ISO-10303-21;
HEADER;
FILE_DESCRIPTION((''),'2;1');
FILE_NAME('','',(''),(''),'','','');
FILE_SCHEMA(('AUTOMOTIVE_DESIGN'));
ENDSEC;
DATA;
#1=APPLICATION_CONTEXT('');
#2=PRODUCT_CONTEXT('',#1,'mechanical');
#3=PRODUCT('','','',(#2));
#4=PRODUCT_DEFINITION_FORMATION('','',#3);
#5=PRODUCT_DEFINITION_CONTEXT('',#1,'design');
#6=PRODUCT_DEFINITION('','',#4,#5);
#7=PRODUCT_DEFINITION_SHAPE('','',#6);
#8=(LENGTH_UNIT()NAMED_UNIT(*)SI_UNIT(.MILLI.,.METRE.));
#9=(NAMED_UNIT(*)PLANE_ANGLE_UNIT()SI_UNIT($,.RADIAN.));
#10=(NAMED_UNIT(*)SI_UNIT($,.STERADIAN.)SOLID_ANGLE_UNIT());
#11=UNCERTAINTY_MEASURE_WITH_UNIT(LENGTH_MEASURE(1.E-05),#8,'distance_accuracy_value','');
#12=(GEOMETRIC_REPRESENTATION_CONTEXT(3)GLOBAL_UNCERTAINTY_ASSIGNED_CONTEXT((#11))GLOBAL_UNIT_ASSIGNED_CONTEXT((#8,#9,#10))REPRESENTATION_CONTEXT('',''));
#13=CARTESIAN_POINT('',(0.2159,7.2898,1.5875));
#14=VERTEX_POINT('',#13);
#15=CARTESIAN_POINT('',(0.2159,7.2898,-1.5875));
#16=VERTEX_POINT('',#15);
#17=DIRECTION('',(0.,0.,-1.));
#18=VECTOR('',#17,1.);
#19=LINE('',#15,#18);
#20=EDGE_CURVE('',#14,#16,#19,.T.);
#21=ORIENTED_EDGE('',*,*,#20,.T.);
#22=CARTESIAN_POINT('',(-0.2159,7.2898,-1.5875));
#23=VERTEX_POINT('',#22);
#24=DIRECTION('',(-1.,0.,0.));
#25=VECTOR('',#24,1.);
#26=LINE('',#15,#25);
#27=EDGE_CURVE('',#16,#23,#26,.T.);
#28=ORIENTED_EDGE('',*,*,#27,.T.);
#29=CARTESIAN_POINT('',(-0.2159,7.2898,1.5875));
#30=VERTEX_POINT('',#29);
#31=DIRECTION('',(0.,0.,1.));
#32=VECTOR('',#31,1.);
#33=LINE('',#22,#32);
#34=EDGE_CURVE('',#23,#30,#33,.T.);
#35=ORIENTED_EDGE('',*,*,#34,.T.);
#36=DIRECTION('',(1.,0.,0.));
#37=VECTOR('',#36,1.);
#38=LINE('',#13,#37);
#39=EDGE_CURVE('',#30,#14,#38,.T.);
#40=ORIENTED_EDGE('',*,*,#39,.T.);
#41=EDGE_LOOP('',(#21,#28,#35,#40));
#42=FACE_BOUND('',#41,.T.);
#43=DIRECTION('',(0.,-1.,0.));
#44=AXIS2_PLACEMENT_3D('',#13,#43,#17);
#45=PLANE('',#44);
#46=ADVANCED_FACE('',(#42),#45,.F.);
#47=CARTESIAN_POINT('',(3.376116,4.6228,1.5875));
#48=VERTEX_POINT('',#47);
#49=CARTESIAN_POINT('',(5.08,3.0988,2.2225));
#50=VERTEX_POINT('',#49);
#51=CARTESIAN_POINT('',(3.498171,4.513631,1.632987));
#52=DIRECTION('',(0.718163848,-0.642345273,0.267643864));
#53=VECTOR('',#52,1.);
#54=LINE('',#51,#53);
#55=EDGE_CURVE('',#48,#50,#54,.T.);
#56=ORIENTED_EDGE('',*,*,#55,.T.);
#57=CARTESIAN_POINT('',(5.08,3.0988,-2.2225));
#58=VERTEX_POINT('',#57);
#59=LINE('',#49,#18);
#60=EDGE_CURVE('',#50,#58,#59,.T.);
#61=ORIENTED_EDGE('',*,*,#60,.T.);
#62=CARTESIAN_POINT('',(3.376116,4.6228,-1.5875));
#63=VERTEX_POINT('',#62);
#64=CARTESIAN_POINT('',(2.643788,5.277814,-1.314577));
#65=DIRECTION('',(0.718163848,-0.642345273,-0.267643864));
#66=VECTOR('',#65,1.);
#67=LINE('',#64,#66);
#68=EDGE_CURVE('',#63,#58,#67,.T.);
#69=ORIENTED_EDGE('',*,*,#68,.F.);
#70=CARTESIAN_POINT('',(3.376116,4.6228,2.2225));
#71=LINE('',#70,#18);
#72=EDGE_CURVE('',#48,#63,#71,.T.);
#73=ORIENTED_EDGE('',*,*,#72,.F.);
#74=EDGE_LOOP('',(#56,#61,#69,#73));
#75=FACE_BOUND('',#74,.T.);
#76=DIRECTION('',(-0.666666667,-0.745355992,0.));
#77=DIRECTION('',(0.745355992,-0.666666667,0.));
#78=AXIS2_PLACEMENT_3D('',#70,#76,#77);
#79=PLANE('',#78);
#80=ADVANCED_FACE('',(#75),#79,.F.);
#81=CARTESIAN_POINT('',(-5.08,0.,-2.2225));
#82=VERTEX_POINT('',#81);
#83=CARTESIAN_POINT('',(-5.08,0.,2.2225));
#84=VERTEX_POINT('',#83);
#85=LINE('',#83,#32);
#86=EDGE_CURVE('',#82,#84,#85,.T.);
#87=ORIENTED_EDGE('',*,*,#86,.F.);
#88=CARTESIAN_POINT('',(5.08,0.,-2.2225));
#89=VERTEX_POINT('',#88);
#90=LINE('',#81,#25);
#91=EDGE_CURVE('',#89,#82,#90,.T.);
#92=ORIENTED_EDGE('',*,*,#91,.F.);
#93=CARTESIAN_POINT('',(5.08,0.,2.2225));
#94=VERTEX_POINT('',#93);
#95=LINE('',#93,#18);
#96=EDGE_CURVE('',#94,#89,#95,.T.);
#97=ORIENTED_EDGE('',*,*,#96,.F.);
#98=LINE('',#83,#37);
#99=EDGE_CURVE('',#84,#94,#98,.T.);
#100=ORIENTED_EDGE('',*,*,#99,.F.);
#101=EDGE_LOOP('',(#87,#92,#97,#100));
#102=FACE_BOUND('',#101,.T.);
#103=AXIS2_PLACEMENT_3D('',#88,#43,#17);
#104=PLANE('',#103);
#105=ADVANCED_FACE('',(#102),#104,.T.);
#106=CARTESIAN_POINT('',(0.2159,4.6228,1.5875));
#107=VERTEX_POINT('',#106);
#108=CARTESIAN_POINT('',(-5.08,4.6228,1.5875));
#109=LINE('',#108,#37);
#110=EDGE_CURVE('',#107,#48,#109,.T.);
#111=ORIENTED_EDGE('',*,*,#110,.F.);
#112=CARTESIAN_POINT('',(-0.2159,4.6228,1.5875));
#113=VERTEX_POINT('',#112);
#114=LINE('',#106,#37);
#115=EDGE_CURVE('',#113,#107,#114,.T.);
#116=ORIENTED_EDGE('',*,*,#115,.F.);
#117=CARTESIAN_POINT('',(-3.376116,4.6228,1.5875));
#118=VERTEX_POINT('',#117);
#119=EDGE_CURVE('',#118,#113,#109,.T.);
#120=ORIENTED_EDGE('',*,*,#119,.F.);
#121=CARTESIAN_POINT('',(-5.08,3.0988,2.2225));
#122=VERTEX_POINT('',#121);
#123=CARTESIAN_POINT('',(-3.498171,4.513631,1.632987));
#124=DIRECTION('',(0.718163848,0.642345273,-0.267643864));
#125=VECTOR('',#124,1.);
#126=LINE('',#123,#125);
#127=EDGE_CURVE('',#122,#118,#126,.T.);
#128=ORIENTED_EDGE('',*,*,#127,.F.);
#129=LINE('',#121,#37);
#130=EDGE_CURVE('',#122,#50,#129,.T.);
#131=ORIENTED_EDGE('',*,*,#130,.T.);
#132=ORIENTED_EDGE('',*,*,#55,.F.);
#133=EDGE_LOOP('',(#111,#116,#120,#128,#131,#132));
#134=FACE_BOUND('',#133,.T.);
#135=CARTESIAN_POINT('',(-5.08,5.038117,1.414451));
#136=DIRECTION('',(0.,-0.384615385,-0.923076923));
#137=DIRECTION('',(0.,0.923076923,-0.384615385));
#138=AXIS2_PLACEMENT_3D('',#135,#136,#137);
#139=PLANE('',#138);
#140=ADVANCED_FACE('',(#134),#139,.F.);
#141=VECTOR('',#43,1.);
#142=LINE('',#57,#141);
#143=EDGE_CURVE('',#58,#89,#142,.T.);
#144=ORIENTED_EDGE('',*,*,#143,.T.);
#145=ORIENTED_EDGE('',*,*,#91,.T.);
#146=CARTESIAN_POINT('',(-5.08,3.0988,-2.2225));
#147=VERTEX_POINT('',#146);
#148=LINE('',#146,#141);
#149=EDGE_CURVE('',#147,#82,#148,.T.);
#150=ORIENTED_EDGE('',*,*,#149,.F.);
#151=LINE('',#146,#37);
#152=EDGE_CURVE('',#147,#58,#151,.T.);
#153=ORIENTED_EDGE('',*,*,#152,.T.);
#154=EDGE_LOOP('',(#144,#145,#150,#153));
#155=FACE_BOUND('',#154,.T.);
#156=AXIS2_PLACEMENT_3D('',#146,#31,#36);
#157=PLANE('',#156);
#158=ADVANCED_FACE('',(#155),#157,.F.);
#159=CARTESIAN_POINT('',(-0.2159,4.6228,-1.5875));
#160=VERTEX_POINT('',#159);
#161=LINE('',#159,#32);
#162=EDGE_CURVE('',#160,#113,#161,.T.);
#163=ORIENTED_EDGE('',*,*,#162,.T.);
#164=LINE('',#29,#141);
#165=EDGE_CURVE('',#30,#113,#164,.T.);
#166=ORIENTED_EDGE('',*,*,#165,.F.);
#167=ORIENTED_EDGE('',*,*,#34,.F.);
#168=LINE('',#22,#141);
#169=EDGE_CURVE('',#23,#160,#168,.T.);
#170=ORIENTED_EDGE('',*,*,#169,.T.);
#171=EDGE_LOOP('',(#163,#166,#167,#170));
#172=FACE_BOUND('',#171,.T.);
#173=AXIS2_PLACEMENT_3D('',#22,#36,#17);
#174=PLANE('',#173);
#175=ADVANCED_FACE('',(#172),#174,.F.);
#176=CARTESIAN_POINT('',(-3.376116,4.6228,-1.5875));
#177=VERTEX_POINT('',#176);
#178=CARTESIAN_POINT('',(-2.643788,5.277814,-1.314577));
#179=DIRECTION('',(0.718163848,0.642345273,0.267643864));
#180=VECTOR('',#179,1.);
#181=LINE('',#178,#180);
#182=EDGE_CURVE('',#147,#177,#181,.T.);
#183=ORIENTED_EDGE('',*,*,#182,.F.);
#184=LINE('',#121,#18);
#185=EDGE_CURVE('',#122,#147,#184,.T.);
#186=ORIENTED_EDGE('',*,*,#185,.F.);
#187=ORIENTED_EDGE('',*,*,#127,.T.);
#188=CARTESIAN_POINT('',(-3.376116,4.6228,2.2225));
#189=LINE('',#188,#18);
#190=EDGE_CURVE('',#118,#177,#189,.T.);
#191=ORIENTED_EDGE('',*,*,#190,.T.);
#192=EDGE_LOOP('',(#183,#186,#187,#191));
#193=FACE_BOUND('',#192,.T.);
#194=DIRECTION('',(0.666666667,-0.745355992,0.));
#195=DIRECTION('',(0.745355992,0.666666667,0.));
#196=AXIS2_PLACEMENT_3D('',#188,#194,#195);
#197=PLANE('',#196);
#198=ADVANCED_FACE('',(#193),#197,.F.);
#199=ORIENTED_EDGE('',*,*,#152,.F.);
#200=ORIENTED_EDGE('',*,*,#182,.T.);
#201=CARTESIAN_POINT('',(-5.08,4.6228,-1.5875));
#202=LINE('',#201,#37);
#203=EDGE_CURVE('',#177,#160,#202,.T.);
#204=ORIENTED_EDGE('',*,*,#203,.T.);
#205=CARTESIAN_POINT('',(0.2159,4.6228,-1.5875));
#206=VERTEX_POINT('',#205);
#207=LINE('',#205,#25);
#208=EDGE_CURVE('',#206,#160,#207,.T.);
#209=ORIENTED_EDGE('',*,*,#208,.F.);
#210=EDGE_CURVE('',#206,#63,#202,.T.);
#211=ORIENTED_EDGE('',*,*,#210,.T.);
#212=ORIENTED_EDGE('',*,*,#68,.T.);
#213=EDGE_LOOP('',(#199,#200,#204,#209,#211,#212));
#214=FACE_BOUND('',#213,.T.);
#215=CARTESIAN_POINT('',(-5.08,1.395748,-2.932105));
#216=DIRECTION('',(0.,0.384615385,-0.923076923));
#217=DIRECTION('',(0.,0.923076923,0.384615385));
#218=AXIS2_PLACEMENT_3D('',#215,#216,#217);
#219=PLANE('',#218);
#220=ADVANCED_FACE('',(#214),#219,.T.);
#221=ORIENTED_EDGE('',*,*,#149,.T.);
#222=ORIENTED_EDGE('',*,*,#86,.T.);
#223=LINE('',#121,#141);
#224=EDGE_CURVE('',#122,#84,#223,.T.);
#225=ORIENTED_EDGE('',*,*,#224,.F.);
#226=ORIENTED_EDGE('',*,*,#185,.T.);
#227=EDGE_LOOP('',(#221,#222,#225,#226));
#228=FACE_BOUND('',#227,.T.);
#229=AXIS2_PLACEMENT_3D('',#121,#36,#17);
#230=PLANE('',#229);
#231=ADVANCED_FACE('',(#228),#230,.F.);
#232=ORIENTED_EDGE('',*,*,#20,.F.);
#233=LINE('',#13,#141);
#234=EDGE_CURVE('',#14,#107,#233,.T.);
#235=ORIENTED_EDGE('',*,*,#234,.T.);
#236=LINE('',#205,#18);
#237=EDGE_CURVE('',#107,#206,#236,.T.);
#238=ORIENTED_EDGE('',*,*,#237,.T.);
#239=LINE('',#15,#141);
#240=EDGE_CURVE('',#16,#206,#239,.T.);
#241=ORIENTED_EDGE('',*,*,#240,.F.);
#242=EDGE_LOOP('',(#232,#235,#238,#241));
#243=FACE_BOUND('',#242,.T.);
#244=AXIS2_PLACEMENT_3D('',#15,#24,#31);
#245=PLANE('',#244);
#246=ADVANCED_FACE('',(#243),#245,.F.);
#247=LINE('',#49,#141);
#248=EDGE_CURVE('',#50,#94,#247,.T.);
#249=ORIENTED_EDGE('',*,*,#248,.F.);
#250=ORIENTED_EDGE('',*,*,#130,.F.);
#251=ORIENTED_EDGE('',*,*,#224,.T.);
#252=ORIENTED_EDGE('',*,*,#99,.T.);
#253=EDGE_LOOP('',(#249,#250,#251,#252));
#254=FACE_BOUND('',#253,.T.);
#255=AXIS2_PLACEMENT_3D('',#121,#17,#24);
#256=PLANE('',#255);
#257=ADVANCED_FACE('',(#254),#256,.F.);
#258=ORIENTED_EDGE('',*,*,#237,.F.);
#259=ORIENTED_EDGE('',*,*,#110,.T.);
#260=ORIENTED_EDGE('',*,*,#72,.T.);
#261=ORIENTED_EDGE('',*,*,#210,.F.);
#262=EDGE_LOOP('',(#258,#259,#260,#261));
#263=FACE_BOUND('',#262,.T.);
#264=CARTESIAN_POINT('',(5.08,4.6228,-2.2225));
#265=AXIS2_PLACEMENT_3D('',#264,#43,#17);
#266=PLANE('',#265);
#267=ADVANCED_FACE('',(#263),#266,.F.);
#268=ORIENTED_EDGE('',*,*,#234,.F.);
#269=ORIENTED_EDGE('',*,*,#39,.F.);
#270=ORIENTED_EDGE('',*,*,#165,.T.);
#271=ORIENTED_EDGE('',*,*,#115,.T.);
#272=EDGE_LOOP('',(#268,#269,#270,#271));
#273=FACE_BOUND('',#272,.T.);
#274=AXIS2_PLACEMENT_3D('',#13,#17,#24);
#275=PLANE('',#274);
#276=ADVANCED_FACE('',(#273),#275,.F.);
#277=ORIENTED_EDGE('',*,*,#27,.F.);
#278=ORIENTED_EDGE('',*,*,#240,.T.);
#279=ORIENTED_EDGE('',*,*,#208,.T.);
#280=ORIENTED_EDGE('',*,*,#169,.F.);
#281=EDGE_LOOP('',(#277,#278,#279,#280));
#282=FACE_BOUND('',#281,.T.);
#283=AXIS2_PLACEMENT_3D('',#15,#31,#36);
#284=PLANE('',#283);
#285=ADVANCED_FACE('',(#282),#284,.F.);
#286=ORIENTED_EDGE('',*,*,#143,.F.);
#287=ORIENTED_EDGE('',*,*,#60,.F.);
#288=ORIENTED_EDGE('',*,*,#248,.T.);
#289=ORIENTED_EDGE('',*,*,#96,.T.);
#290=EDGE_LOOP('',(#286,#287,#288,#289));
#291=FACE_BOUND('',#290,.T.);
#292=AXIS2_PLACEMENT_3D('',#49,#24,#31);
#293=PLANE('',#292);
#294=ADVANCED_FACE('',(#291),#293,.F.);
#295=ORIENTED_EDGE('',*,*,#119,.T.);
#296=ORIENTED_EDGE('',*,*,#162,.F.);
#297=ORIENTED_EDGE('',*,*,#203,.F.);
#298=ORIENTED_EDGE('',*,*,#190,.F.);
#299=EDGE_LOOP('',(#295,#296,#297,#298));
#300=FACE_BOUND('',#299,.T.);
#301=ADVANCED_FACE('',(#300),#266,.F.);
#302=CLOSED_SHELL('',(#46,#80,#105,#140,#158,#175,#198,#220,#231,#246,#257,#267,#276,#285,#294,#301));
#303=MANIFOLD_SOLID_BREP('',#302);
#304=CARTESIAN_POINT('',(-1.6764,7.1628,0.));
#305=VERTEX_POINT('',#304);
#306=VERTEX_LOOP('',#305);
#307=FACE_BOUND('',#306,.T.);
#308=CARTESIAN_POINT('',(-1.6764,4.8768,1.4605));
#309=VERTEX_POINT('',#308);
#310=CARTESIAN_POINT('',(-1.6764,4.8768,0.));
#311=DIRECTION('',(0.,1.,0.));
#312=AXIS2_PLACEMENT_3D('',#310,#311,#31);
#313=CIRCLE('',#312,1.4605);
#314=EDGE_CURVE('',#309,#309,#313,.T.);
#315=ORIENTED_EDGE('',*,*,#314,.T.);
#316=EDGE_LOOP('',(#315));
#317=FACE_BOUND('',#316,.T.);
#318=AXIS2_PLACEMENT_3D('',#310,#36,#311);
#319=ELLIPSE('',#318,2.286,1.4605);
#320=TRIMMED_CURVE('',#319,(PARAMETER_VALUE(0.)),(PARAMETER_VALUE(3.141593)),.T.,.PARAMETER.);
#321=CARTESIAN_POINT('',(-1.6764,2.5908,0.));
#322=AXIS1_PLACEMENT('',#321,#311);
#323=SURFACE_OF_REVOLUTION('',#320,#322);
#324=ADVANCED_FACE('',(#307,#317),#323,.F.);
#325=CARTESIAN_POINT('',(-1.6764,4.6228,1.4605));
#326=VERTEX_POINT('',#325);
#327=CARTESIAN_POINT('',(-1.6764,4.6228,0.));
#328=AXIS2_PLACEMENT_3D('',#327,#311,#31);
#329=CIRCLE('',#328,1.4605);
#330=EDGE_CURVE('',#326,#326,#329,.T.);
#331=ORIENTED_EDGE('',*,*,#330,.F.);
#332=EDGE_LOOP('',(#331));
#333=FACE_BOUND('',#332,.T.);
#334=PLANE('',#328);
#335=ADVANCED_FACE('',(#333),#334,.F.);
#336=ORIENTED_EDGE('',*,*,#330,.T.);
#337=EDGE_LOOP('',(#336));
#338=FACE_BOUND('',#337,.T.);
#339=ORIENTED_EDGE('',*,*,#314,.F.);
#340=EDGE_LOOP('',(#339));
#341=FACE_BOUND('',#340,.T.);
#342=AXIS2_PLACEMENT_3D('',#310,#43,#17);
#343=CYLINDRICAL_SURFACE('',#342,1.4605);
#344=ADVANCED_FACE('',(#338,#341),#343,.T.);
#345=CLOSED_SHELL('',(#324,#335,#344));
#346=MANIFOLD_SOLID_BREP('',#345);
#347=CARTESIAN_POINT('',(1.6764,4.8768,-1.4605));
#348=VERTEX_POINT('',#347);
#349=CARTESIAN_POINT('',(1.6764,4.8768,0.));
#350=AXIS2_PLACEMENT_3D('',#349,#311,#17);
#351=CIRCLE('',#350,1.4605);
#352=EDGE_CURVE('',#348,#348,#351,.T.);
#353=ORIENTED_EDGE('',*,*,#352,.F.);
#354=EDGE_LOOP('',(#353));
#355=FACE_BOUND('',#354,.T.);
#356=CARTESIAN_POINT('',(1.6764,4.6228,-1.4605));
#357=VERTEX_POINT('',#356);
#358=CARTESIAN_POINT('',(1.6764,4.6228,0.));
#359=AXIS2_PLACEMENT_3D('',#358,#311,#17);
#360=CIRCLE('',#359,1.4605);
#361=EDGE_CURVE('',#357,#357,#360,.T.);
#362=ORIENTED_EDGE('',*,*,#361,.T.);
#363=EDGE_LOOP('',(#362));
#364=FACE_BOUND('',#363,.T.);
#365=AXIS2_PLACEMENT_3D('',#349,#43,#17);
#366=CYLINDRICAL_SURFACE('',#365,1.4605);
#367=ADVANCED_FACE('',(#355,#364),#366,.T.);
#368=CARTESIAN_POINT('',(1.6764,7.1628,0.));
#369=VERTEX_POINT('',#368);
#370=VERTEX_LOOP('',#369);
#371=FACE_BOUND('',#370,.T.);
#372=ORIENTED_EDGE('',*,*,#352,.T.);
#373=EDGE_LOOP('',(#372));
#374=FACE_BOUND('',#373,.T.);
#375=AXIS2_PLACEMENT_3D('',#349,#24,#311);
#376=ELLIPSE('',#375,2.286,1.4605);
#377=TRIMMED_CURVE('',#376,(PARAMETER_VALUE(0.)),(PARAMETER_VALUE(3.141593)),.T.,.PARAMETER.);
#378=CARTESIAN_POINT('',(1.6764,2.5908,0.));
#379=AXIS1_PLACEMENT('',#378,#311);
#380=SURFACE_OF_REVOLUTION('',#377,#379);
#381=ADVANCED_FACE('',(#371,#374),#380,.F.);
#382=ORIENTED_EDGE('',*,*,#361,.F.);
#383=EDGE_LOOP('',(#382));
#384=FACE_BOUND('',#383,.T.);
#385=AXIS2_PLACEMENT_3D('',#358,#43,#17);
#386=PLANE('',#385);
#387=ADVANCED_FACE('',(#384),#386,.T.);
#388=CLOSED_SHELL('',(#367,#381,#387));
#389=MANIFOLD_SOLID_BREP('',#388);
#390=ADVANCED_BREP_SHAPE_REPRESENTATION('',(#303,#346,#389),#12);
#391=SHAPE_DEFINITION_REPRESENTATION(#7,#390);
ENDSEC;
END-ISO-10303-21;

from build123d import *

# Parameters (mm, degrees)
SKETCH1_W             = 10.16
SKETCH1_H             = 4.445
BOSS_EXTRUDE1_DEPTH   = 3.0988
SKETCH3_W             = 10.16
SKETCH3_H             = 4.445
BOSS_EXTRUDE3_DEPTH   = 1.524
CUT_EXTRUDE1_DEPTH    = 9.181363263
CUT_EXTRUDE3_DEPTH    = 12.381361346
SKETCH9_W             = 0.4318
SKETCH9_H             = 3.175
BOSS_EXTRUDE4_DEPTH   = 2.667
SKETCH10_R            = 1.4605
BOSS_EXTRUDE6_DEPTH   = 0.254
BOSS_EXTRUDE6_2_DEPTH = 0.254
DOME2_FACE_RADIUS     = 1.4605
DOME2_HEIGHT          = 2.286
DOME3_FACE_RADIUS     = 1.4605
DOME3_HEIGHT          = 2.286


with BuildPart() as part:
    # Sketch1 → Boss-Extrude1 (new body)
    with BuildSketch(Plane(origin=(0, 0, 0), x_dir=(1, 0, 0), z_dir=(0, 1, 0))):
        Rectangle(SKETCH1_W, SKETCH1_H)
    extrude(amount=BOSS_EXTRUDE1_DEPTH)

    # Sketch3 → Boss-Extrude3 (add)
    with BuildSketch(Plane(origin=(0, 3.0988, 0), x_dir=(-1, 0, 0), z_dir=(0, 1, 0))):
        Rectangle(SKETCH3_W, SKETCH3_H)
    extrude(amount=BOSS_EXTRUDE3_DEPTH)

    # Sketch4 → Cut-Extrude1 (cut, through all)
    with BuildSketch(Plane(origin=(0, 0, -2.2225), x_dir=(-1, 0, 0), z_dir=(0, 0, -1))):
        Polygon((-3.376116201, 4.6228), (-5.08, 3.0988), (-5.08, 4.6228), align=None)
        Polygon((5.08, 4.6228), (3.376116201, 4.6228), (5.08, 3.0988), align=None)
    extrude(amount=-CUT_EXTRUDE1_DEPTH, mode=Mode.SUBTRACT)

    # Sketch8 → Cut-Extrude3 (cut, through all)
    with BuildSketch(Plane(origin=(5.08, 0, 0), x_dir=(0, 0, -1), z_dir=(1, 0, 0))):
        Polygon((2.2225, 4.6228), (1.5875, 4.6228), (2.2225, 3.0988), align=None)
        Polygon((-2.2225, 4.6228), (-2.2225, 3.0988), (-1.5875, 4.6228), align=None)
    extrude(amount=-CUT_EXTRUDE3_DEPTH, mode=Mode.SUBTRACT)

    # Sketch9 → Boss-Extrude4 (add)
    with BuildSketch(Plane(origin=(0, 4.6228, 0), x_dir=(-1, 0, 0), z_dir=(0, 1, 0))):
        Rectangle(SKETCH9_W, SKETCH9_H)
    extrude(amount=BOSS_EXTRUDE4_DEPTH)


with BuildPart() as body_2:
    # Sketch10 → Boss-Extrude6 (new body)
    with BuildSketch(Plane(origin=(0, 4.6228, 0), x_dir=(1, 0, 0), z_dir=(0, 1, 0))):
        with Locations((-1.6764, 0)):
            Circle(SKETCH10_R)
    extrude(amount=BOSS_EXTRUDE6_DEPTH)

    # Dome2: an elliptical dome of height H over a round flat face of radius A is half a spheroid: the quarter ellipse of half axes A and H revolved about the face's axis
    with BuildSketch(Plane((-1.6764, 4.8768, 0), x_dir=(0, 0, -1), z_dir=(1, 0, 0)), mode=Mode.PRIVATE) as dome2_quarter:
        Ellipse(DOME2_FACE_RADIUS, DOME2_HEIGHT)
        Rectangle(DOME2_FACE_RADIUS, DOME2_HEIGHT, align=(Align.MIN, Align.MIN), mode=Mode.INTERSECT)
    revolve(dome2_quarter.sketch, axis=Axis((-1.6764, 4.8768, 0), (0, 1, 0)))


with BuildPart() as body_3:
    # Sketch10 → Boss-Extrude6 2 (new body)
    with BuildSketch(Plane(origin=(0, 4.6228, 0), x_dir=(1, 0, 0), z_dir=(0, 1, 0))):
        with Locations((1.6764, 0)):
            Circle(SKETCH10_R)
    extrude(amount=BOSS_EXTRUDE6_2_DEPTH)

    # Dome3: an elliptical dome of height H over a round flat face of radius A is half a spheroid: the quarter ellipse of half axes A and H revolved about the face's axis
    with BuildSketch(Plane((1.6764, 4.8768, 0), x_dir=(0, 0, -1), z_dir=(1, 0, 0)), mode=Mode.PRIVATE) as dome3_quarter:
        Ellipse(DOME3_FACE_RADIUS, DOME3_HEIGHT)
        Rectangle(DOME3_FACE_RADIUS, DOME3_HEIGHT, align=(Align.MIN, Align.MIN), mode=Mode.INTERSECT)
    revolve(dome3_quarter.sketch, axis=Axis((1.6764, 4.8768, 0), (0, 1, 0)))


solid = Compound([part.part, body_2.part, body_3.part])
